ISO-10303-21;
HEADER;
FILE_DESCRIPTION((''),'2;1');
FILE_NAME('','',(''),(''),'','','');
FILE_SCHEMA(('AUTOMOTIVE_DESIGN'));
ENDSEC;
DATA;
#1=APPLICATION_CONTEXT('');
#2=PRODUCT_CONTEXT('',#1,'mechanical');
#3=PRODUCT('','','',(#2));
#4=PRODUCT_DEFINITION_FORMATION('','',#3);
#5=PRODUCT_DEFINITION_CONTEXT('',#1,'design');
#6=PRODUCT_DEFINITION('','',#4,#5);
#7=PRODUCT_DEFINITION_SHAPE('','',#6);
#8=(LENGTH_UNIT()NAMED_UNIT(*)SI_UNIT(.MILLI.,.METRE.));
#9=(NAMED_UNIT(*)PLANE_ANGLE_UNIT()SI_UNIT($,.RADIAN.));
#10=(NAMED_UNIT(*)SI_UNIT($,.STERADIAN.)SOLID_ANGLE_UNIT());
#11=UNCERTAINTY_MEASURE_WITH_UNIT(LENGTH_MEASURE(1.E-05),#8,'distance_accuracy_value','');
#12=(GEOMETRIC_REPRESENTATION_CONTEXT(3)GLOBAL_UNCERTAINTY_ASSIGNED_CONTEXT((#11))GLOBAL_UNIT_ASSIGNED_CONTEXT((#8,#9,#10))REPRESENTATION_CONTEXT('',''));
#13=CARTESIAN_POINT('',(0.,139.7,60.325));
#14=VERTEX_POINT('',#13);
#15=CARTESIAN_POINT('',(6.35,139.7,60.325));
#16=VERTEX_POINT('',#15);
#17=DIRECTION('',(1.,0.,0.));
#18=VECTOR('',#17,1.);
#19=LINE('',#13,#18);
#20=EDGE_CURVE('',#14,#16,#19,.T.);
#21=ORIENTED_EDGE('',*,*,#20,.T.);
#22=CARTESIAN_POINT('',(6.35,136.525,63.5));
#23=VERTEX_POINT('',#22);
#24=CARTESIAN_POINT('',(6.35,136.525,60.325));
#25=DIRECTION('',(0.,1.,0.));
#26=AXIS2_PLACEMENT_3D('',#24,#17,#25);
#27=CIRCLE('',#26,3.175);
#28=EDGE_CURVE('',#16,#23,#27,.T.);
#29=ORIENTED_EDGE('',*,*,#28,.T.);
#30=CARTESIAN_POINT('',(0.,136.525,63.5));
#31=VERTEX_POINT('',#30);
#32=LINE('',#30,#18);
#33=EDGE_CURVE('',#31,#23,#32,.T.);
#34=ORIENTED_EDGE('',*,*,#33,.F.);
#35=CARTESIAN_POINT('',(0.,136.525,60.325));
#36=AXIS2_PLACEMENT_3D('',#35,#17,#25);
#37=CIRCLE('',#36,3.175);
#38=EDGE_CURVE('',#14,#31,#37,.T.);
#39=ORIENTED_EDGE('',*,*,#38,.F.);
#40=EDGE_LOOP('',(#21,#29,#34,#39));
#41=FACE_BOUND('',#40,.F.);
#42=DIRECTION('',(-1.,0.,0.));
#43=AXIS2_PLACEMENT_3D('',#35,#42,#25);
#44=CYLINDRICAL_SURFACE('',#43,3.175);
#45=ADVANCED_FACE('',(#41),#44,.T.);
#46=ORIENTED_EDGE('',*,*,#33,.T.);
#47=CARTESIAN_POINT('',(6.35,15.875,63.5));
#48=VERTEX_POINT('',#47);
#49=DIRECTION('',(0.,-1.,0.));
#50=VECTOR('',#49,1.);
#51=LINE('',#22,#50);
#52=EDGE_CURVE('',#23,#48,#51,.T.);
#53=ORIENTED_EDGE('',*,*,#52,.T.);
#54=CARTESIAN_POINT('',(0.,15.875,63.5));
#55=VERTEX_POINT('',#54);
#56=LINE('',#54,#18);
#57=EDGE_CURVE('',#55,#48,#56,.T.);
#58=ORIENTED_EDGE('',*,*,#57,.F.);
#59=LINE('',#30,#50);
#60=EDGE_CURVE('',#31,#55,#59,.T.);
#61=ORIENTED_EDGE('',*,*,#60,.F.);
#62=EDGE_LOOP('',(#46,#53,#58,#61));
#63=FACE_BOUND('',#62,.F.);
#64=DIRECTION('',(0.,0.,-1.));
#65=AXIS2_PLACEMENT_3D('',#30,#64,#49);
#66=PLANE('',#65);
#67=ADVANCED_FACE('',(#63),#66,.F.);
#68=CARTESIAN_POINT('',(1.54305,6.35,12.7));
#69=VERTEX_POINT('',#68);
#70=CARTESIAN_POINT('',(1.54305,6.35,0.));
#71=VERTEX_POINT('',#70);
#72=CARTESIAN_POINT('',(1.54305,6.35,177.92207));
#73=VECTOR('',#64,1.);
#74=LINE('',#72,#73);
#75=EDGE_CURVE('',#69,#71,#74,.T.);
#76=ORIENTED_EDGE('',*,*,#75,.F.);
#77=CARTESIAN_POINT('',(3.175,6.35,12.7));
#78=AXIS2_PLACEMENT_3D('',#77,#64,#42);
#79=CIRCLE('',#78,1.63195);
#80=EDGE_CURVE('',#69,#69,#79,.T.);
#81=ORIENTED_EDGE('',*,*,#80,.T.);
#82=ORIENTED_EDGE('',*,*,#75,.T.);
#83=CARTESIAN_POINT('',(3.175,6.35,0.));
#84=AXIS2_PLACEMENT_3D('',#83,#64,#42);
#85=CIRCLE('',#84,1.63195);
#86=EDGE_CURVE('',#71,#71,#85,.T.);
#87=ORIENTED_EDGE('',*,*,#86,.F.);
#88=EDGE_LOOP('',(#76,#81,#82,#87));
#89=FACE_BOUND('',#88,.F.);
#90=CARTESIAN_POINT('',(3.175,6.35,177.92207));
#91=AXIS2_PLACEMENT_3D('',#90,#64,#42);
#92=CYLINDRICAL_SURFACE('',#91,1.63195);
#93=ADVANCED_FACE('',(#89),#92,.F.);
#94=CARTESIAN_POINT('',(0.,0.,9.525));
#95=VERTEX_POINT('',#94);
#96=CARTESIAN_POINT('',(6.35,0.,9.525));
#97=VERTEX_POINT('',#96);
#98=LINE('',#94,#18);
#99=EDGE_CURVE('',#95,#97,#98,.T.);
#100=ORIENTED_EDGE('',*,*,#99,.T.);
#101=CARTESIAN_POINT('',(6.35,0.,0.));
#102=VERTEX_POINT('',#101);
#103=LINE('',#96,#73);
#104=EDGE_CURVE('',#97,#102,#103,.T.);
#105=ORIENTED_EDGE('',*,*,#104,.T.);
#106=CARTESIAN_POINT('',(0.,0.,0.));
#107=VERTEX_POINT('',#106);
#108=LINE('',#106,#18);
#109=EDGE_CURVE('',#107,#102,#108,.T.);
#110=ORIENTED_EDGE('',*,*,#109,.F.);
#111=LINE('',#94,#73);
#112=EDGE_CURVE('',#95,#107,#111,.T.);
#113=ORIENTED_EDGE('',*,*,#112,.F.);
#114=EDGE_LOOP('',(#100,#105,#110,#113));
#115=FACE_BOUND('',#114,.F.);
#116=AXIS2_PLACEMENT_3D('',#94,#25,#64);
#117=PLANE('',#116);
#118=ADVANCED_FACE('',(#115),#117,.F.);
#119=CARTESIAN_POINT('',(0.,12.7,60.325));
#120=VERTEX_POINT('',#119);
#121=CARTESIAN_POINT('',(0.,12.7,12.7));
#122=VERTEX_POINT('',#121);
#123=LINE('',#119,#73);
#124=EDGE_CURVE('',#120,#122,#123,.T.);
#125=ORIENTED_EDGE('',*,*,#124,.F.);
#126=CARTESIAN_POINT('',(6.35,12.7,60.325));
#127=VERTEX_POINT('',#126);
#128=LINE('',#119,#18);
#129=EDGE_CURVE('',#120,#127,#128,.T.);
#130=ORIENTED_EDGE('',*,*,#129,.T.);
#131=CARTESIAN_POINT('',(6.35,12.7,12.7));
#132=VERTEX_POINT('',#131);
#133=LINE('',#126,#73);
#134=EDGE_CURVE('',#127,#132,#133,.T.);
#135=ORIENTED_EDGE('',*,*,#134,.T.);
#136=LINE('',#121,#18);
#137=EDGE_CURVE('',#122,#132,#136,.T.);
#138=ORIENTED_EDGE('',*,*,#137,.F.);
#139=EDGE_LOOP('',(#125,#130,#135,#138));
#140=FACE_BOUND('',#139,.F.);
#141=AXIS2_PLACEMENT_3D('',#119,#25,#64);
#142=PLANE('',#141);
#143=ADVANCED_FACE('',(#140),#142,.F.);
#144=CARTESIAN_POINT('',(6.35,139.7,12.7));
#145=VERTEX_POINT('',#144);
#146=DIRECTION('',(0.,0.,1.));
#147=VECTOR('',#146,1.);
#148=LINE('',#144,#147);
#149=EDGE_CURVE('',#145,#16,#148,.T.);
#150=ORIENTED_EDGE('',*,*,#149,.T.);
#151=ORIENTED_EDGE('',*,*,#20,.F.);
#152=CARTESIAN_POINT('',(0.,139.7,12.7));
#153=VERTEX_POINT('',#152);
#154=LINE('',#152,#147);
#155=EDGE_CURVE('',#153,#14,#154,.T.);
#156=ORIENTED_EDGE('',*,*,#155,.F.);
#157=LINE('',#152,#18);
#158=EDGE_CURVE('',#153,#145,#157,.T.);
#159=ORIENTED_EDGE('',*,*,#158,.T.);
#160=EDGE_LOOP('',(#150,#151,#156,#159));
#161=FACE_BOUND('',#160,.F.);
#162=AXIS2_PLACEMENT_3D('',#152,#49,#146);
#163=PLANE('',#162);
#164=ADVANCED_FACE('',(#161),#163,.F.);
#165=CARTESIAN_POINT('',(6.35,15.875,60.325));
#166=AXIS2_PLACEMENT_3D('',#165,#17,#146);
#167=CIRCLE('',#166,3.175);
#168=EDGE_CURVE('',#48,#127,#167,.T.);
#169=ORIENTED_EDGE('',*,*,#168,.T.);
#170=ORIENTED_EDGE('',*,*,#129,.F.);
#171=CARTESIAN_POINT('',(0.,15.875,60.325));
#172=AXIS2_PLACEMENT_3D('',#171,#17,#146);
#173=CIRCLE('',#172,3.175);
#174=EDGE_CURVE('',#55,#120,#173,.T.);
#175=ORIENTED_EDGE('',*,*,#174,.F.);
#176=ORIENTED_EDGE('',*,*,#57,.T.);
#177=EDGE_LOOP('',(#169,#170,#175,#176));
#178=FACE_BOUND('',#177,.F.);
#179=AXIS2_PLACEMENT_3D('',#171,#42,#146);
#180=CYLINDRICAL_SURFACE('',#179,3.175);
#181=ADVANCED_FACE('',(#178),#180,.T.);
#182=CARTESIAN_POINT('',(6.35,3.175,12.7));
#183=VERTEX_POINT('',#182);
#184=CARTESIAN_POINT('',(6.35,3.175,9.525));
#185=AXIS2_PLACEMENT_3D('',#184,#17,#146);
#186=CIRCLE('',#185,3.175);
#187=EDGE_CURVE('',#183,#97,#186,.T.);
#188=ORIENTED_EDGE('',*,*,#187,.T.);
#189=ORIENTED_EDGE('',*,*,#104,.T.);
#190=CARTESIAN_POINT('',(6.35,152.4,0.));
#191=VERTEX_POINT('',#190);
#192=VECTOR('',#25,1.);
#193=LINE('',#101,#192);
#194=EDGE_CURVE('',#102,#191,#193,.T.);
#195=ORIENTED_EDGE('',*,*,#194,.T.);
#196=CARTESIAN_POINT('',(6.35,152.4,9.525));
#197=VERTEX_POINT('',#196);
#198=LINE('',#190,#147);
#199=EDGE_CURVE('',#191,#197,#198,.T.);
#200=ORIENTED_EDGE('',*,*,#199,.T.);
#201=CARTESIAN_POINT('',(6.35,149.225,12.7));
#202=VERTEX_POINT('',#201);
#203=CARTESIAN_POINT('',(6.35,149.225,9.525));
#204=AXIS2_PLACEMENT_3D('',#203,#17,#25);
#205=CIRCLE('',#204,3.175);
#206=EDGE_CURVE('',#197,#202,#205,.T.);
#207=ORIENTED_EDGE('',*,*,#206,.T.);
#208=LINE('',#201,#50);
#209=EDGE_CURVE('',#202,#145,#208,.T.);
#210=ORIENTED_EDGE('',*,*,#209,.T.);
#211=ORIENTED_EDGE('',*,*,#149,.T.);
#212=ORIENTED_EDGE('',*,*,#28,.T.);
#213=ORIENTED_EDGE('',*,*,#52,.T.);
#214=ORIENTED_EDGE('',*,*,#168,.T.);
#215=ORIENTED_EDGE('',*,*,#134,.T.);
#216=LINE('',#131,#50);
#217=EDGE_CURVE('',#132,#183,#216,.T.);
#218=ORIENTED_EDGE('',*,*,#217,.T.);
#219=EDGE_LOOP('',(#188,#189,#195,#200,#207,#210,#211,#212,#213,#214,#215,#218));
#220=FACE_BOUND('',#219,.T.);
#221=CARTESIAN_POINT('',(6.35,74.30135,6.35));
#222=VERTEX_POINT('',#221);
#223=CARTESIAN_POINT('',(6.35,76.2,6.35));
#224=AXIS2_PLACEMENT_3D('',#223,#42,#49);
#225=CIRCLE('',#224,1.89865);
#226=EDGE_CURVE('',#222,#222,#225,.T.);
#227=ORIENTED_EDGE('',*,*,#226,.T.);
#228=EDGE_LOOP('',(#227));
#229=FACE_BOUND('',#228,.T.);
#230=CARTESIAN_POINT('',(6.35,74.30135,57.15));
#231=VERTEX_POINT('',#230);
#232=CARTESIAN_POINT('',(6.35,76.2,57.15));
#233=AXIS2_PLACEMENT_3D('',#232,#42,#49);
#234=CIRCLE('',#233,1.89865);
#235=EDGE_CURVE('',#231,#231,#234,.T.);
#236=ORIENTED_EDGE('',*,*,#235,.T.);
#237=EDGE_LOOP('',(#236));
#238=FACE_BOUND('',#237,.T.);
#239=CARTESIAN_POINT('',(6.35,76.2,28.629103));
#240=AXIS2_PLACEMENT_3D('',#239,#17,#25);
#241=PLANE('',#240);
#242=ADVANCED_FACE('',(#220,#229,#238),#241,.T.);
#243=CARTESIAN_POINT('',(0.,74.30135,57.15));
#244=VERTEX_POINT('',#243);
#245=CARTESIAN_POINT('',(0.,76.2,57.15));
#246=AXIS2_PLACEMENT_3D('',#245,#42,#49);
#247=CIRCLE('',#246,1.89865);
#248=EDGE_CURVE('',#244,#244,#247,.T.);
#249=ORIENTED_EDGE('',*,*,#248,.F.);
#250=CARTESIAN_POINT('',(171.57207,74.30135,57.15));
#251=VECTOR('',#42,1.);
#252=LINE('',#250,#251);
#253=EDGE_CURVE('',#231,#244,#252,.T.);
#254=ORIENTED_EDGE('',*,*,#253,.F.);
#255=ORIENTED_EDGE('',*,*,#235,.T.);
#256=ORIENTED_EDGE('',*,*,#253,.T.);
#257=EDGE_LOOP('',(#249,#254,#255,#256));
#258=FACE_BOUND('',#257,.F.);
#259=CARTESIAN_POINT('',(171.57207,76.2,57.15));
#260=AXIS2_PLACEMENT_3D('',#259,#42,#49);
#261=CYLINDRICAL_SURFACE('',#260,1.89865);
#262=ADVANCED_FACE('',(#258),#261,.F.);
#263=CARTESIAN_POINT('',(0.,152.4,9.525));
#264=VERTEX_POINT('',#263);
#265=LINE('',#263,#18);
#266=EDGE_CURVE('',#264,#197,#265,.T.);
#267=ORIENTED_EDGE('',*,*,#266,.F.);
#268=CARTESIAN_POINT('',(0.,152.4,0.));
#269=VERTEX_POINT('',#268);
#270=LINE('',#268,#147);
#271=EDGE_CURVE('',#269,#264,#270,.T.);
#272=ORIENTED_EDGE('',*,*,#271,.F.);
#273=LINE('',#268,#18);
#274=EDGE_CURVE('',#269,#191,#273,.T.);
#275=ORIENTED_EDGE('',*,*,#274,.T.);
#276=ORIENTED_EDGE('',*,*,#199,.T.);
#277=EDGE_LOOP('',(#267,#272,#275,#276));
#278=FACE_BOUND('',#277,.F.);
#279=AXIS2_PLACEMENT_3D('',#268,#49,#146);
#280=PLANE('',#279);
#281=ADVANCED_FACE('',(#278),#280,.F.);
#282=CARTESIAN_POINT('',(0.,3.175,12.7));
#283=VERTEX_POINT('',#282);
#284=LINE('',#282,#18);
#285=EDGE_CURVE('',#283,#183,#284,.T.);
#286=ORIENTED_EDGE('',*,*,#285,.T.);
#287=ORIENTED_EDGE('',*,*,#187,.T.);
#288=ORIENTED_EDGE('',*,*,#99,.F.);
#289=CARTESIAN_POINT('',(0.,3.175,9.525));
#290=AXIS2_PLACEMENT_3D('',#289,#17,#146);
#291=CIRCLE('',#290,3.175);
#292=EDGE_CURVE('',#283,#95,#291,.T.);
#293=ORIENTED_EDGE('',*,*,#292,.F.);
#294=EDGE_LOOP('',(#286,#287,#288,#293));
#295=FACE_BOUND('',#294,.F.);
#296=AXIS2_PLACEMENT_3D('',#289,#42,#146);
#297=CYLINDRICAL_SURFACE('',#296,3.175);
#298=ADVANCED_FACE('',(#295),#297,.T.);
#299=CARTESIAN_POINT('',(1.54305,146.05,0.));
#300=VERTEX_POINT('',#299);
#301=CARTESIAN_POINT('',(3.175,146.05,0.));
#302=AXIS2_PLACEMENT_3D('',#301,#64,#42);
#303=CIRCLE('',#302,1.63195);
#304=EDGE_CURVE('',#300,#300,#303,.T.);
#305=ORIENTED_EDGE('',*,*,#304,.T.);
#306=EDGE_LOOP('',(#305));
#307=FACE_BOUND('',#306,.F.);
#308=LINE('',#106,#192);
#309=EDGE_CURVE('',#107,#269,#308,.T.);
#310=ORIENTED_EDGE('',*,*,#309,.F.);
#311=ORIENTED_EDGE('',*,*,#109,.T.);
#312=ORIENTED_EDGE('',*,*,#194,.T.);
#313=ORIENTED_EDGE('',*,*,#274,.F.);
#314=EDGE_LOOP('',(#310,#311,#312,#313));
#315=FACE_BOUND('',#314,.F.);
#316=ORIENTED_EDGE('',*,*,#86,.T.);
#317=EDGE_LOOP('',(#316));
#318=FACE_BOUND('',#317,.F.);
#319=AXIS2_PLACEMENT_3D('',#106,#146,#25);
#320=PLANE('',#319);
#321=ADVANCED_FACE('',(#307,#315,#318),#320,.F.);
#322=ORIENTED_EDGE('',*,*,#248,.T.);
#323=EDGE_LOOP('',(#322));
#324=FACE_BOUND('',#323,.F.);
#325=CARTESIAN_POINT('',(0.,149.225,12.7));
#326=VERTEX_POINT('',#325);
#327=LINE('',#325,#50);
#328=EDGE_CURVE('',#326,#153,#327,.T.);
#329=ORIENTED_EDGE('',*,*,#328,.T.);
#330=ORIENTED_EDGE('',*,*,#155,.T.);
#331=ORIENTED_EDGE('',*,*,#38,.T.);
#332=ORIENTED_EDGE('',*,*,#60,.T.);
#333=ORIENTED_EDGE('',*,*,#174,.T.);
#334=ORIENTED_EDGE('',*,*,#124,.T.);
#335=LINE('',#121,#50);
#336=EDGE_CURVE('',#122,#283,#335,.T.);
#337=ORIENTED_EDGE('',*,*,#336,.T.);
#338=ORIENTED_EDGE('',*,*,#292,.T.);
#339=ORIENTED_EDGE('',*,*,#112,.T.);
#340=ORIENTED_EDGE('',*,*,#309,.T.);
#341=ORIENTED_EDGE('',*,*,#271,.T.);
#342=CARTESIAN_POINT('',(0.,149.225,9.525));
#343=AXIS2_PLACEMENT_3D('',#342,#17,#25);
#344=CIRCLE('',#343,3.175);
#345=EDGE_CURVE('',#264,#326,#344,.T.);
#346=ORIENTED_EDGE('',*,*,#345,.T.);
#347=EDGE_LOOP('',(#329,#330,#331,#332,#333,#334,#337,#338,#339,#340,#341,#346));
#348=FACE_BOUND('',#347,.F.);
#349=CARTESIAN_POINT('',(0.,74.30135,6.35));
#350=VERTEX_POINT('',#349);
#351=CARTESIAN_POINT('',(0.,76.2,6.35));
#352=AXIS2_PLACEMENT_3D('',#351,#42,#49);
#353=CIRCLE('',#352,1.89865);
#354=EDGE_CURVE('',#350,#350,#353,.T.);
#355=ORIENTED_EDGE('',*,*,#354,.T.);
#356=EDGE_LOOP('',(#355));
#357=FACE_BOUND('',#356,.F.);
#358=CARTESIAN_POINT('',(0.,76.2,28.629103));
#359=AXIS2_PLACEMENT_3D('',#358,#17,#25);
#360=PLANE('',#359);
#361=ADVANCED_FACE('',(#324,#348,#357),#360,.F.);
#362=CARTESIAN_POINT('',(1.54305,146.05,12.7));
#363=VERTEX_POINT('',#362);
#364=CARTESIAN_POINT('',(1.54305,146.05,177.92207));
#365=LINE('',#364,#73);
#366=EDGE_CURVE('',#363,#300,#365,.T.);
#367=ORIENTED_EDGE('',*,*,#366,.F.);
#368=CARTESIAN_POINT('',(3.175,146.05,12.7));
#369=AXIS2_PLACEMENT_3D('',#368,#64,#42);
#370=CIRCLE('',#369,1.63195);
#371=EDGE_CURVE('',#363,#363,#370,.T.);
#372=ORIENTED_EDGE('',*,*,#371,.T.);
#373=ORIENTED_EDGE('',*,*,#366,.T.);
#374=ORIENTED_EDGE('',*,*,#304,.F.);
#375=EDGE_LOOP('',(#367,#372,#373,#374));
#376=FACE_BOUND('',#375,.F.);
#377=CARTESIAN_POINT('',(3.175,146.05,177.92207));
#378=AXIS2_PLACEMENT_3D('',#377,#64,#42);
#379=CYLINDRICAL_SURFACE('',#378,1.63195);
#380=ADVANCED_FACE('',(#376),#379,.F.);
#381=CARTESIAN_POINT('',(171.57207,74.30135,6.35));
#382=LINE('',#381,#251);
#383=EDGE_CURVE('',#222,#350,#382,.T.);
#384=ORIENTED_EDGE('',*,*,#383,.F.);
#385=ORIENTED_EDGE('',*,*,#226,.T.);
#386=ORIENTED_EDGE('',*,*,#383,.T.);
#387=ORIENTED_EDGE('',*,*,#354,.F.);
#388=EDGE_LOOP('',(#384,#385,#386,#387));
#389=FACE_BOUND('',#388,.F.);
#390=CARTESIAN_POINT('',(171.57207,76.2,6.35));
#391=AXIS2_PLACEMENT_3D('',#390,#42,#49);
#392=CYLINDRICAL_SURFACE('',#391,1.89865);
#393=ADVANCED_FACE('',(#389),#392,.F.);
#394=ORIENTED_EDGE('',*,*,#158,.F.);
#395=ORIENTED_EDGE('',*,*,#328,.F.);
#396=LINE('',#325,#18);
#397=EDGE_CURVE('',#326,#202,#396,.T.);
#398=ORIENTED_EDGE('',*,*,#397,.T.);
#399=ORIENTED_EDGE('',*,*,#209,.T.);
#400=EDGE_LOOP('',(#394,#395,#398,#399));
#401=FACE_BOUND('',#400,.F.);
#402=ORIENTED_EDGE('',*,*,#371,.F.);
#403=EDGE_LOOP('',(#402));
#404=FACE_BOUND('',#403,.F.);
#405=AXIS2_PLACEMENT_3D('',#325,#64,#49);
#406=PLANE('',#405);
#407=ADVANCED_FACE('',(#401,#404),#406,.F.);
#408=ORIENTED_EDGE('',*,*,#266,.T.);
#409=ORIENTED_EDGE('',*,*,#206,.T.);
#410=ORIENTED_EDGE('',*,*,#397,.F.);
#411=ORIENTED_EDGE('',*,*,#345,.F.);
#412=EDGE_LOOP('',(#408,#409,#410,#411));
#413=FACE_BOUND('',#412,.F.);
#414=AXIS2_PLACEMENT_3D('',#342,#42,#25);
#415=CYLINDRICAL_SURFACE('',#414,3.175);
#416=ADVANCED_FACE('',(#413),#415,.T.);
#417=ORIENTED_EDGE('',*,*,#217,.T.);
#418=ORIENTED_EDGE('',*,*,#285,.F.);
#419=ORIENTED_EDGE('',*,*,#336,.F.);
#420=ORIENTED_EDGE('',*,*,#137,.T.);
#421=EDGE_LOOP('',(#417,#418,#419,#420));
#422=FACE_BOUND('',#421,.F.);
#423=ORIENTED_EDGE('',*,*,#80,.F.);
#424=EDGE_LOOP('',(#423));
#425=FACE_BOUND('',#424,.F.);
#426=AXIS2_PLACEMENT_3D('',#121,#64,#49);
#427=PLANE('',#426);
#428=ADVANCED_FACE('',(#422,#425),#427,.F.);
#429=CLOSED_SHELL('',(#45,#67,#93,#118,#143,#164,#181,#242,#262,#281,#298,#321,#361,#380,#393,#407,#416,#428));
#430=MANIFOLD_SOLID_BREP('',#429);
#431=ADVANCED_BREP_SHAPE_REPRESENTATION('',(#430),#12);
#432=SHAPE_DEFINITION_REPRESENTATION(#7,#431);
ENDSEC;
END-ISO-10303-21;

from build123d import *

# Parameters (mm, degrees)
F1_DEPTH = 6.35
F3_D     = 3.7973
F5_D     = 3.2639


with BuildPart() as f1:
    # F0 (on Right) → F1 (new body)
    with BuildSketch(Plane.YZ):
        with BuildLine():
            Line((0, 9.525), (0, 0))
            Line((0, 0), (152.4, 0))
            Line((152.4, 0), (152.4, 9.525))
            ThreePointArc((152.4, 9.525), (151.4700640303, 11.7700640303), (149.225, 12.7))
            Line((149.225, 12.7), (139.7, 12.7))
            Line((139.7, 12.7), (139.7, 60.325))
            ThreePointArc((139.7, 60.325), (138.7700640303, 62.5700640303), (136.525, 63.5))
            Line((136.525, 63.5), (15.875, 63.5))
            ThreePointArc((15.875, 63.5), (13.6299359697, 62.5700640303), (12.7, 60.325))
            Line((12.7, 60.325), (12.7, 12.7))
            Line((12.7, 12.7), (3.175, 12.7))
            ThreePointArc((3.175, 12.7), (0.9299359697, 11.7700640303), (0, 9.525))
        make_face()
    extrude(amount=F1_DEPTH)

    # F3 (through all)
    with Locations(Plane.YZ.offset(6.35)):
        with Locations((76.2, 57.15), (76.2, 6.35)):
            Hole(F3_D / 2)

    # F5 (through all)
    with Locations(Plane.XY.offset(12.7)):
        with Locations((3.175, 6.35), (3.175, 146.05)):
            Hole(F5_D / 2)


solid = f1.part
